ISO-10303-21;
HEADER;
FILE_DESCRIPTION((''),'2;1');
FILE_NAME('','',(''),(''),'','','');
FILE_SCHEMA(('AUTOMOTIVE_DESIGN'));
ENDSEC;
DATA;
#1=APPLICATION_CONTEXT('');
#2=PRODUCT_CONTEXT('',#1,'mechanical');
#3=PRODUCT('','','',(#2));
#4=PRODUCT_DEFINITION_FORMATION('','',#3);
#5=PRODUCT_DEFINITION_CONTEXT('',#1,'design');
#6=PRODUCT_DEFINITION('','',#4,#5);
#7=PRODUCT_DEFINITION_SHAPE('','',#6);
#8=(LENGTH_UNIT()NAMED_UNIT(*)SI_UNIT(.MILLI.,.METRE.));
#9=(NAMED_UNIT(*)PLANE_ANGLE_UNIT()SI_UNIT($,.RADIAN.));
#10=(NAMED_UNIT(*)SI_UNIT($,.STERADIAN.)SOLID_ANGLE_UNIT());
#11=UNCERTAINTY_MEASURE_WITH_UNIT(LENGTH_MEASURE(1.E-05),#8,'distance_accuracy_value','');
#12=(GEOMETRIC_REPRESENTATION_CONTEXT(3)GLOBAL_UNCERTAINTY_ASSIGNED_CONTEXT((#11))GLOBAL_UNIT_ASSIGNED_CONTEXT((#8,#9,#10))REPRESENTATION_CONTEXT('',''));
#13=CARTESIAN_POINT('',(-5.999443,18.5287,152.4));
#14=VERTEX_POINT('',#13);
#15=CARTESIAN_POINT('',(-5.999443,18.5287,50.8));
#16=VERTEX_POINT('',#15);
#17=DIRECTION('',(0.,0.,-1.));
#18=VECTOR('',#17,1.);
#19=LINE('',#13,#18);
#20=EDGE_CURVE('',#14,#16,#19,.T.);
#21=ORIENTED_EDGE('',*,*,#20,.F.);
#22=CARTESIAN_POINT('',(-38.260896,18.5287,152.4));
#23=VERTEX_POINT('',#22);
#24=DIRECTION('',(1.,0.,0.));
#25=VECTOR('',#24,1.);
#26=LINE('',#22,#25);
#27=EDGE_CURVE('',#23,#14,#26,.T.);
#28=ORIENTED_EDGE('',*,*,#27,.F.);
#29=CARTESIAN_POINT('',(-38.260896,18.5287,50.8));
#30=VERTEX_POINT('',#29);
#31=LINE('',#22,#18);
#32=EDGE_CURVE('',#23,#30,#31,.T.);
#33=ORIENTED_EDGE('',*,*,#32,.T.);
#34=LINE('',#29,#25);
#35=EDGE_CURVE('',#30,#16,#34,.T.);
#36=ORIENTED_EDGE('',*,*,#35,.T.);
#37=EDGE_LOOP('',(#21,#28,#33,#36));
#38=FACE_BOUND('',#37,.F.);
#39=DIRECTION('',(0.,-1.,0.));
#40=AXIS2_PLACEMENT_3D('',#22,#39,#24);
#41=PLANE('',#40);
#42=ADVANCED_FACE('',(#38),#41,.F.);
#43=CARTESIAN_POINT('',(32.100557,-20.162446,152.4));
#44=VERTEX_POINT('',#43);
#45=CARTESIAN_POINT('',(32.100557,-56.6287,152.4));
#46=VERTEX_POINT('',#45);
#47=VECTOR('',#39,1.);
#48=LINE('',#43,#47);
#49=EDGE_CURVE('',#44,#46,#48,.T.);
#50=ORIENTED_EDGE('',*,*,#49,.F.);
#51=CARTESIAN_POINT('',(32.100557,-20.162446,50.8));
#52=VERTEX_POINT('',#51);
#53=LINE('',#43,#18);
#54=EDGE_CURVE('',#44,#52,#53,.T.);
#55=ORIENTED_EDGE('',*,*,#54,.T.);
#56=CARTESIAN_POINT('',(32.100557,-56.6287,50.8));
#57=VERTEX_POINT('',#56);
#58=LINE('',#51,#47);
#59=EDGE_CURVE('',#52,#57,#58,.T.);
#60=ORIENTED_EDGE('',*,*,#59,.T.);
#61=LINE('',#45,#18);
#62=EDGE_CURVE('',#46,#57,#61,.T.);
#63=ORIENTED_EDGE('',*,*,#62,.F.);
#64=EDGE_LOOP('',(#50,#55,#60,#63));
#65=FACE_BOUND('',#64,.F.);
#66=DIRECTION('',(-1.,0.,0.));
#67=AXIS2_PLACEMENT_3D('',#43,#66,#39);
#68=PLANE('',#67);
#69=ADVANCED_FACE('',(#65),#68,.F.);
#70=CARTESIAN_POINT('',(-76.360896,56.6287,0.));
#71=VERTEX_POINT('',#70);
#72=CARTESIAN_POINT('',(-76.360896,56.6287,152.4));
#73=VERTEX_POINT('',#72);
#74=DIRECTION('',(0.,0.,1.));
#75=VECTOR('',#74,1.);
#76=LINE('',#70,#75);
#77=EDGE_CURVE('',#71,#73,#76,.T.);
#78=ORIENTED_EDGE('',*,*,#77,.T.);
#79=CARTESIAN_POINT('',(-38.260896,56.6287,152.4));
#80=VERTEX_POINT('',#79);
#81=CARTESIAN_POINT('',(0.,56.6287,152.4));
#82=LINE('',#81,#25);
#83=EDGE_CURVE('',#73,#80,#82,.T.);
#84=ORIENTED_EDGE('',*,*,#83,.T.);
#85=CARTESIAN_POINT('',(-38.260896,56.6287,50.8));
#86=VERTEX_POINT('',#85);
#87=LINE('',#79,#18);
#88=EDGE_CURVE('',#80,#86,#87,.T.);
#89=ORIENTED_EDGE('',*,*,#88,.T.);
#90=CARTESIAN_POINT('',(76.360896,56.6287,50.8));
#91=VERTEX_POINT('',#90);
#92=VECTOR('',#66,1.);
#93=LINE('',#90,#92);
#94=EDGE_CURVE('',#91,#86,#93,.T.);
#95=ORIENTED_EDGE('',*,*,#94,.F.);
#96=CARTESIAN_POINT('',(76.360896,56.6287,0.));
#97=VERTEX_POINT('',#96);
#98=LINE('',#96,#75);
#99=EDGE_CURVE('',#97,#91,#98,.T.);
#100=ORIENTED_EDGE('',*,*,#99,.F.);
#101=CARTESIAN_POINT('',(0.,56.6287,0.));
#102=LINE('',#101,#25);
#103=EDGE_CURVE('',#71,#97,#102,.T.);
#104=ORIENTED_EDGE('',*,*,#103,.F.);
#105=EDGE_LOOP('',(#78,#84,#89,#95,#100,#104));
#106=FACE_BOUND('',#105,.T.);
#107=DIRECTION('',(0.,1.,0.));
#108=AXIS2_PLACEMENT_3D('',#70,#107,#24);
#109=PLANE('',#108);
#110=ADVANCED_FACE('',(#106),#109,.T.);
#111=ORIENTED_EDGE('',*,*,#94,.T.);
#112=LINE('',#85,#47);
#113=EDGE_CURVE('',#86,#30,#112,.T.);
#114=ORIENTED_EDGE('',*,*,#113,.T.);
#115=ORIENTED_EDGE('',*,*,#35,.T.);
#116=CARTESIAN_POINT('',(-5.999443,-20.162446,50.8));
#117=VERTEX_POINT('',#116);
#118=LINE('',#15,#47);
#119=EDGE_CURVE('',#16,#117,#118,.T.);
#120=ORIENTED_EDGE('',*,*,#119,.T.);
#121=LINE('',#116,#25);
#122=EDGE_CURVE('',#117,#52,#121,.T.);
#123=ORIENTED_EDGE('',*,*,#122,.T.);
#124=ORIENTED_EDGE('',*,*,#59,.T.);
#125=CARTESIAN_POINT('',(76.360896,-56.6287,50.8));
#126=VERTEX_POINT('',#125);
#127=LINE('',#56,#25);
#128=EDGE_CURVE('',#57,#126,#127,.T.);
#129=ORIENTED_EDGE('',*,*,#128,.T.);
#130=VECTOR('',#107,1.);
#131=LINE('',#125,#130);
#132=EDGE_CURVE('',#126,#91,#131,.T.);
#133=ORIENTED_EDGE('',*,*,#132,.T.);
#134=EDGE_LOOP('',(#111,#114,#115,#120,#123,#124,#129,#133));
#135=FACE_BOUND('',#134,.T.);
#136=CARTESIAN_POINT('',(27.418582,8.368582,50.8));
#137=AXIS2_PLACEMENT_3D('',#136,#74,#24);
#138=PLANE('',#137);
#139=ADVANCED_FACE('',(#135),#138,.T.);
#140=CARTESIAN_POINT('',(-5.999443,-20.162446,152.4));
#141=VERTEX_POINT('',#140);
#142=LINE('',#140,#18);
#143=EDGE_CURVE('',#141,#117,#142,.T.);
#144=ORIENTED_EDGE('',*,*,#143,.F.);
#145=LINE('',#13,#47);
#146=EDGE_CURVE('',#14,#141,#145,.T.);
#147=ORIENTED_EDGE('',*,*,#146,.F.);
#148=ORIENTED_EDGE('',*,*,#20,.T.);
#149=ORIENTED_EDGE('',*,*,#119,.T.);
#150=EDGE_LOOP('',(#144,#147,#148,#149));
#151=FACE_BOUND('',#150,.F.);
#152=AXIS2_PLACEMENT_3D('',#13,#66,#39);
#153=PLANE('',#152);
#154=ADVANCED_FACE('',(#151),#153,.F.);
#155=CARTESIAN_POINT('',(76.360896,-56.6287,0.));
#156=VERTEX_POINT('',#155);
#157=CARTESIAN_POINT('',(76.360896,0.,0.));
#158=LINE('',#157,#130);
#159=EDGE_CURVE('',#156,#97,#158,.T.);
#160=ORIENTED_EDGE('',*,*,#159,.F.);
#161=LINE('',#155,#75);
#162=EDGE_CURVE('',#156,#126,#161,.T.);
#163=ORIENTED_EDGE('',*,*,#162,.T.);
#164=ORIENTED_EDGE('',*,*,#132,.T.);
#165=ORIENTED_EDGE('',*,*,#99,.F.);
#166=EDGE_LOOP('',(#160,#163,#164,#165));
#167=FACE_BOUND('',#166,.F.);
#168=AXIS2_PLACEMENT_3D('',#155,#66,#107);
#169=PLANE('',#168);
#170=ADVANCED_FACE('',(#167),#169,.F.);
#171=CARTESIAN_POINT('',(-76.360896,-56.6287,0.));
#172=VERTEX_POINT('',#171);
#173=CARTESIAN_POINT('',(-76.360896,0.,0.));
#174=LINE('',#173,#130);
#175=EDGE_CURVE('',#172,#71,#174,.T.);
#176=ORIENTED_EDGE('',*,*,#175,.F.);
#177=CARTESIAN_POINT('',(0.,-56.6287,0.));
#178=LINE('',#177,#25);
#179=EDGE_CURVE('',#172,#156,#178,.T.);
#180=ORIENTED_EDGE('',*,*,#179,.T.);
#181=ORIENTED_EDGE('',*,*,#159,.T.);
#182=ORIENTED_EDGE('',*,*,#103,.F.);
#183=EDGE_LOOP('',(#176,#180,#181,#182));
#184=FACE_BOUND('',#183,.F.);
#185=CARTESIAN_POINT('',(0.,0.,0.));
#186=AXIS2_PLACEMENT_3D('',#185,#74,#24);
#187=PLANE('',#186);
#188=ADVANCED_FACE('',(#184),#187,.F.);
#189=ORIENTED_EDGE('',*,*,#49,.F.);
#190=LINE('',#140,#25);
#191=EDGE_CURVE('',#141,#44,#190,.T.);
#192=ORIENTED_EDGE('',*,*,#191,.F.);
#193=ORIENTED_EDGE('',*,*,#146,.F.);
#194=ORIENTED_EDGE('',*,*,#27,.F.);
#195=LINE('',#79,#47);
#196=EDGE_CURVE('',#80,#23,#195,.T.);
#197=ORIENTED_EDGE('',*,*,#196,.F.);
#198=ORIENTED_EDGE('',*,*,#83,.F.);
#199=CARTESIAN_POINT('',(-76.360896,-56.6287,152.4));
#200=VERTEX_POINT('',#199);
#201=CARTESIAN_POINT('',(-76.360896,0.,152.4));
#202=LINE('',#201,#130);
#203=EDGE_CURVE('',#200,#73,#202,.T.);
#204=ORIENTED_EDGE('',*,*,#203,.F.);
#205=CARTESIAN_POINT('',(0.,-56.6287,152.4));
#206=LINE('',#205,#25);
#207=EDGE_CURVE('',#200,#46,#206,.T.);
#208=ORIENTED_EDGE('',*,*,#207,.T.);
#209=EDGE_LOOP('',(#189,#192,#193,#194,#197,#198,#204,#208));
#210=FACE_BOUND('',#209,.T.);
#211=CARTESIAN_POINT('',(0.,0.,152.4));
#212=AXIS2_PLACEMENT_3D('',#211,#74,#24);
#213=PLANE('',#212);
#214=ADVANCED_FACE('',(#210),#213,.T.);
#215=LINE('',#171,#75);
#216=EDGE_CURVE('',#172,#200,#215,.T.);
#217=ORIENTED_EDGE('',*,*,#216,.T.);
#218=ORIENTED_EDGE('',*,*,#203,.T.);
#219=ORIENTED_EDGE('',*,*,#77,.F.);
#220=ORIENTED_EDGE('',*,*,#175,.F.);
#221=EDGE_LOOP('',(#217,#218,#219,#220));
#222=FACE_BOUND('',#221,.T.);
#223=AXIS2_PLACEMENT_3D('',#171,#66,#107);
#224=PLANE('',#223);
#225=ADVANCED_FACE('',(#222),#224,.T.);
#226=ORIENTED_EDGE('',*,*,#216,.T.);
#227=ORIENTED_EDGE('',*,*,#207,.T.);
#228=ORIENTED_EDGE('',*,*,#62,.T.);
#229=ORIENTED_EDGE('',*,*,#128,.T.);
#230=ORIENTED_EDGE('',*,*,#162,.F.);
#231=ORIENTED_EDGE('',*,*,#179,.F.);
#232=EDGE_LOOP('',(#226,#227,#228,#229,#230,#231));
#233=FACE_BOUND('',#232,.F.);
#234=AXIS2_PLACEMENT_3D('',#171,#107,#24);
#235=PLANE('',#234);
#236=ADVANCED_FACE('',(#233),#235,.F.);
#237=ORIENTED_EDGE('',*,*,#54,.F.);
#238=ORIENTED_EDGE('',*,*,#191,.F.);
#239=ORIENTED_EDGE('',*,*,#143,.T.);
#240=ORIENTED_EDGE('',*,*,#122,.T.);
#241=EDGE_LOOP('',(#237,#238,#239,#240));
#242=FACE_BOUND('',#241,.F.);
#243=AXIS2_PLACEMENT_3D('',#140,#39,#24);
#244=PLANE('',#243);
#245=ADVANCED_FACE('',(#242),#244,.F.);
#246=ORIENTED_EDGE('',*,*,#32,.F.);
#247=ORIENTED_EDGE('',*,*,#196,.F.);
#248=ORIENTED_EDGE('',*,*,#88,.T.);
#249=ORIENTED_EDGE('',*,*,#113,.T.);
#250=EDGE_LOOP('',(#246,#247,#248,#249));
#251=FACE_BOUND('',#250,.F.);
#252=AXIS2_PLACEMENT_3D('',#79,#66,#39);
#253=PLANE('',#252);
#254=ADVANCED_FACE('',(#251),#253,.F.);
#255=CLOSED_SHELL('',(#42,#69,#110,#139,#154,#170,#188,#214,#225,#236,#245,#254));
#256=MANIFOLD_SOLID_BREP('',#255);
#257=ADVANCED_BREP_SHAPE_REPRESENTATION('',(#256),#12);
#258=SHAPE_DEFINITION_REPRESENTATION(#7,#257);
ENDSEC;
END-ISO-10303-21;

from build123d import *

# Parameters (mm, degrees)
F0_W     = 152.721792
F0_H     = 113.2574
F1_DEPTH = 152.4
F3_DEPTH = 101.6


with BuildPart() as f1:
    # F0 (on Top) → F1 (new body)
    with BuildSketch(Plane.XY):
        Rectangle(F0_W, F0_H)
    extrude(amount=F1_DEPTH)

    # F2 (on face) → F3 (cut)
    with BuildSketch(Plane.XY.offset(152.4)):
        Polygon((76.360896, 56.6287), (-38.260896, 56.6287), (-38.260896, 18.5287), (-5.999443, 18.5287), (-5.999443, -20.162446), (32.100557, -20.162446), (32.100557, -56.6287), (76.360896, -56.6287), align=None)
    extrude(amount=-F3_DEPTH, mode=Mode.SUBTRACT)


solid = f1.part
